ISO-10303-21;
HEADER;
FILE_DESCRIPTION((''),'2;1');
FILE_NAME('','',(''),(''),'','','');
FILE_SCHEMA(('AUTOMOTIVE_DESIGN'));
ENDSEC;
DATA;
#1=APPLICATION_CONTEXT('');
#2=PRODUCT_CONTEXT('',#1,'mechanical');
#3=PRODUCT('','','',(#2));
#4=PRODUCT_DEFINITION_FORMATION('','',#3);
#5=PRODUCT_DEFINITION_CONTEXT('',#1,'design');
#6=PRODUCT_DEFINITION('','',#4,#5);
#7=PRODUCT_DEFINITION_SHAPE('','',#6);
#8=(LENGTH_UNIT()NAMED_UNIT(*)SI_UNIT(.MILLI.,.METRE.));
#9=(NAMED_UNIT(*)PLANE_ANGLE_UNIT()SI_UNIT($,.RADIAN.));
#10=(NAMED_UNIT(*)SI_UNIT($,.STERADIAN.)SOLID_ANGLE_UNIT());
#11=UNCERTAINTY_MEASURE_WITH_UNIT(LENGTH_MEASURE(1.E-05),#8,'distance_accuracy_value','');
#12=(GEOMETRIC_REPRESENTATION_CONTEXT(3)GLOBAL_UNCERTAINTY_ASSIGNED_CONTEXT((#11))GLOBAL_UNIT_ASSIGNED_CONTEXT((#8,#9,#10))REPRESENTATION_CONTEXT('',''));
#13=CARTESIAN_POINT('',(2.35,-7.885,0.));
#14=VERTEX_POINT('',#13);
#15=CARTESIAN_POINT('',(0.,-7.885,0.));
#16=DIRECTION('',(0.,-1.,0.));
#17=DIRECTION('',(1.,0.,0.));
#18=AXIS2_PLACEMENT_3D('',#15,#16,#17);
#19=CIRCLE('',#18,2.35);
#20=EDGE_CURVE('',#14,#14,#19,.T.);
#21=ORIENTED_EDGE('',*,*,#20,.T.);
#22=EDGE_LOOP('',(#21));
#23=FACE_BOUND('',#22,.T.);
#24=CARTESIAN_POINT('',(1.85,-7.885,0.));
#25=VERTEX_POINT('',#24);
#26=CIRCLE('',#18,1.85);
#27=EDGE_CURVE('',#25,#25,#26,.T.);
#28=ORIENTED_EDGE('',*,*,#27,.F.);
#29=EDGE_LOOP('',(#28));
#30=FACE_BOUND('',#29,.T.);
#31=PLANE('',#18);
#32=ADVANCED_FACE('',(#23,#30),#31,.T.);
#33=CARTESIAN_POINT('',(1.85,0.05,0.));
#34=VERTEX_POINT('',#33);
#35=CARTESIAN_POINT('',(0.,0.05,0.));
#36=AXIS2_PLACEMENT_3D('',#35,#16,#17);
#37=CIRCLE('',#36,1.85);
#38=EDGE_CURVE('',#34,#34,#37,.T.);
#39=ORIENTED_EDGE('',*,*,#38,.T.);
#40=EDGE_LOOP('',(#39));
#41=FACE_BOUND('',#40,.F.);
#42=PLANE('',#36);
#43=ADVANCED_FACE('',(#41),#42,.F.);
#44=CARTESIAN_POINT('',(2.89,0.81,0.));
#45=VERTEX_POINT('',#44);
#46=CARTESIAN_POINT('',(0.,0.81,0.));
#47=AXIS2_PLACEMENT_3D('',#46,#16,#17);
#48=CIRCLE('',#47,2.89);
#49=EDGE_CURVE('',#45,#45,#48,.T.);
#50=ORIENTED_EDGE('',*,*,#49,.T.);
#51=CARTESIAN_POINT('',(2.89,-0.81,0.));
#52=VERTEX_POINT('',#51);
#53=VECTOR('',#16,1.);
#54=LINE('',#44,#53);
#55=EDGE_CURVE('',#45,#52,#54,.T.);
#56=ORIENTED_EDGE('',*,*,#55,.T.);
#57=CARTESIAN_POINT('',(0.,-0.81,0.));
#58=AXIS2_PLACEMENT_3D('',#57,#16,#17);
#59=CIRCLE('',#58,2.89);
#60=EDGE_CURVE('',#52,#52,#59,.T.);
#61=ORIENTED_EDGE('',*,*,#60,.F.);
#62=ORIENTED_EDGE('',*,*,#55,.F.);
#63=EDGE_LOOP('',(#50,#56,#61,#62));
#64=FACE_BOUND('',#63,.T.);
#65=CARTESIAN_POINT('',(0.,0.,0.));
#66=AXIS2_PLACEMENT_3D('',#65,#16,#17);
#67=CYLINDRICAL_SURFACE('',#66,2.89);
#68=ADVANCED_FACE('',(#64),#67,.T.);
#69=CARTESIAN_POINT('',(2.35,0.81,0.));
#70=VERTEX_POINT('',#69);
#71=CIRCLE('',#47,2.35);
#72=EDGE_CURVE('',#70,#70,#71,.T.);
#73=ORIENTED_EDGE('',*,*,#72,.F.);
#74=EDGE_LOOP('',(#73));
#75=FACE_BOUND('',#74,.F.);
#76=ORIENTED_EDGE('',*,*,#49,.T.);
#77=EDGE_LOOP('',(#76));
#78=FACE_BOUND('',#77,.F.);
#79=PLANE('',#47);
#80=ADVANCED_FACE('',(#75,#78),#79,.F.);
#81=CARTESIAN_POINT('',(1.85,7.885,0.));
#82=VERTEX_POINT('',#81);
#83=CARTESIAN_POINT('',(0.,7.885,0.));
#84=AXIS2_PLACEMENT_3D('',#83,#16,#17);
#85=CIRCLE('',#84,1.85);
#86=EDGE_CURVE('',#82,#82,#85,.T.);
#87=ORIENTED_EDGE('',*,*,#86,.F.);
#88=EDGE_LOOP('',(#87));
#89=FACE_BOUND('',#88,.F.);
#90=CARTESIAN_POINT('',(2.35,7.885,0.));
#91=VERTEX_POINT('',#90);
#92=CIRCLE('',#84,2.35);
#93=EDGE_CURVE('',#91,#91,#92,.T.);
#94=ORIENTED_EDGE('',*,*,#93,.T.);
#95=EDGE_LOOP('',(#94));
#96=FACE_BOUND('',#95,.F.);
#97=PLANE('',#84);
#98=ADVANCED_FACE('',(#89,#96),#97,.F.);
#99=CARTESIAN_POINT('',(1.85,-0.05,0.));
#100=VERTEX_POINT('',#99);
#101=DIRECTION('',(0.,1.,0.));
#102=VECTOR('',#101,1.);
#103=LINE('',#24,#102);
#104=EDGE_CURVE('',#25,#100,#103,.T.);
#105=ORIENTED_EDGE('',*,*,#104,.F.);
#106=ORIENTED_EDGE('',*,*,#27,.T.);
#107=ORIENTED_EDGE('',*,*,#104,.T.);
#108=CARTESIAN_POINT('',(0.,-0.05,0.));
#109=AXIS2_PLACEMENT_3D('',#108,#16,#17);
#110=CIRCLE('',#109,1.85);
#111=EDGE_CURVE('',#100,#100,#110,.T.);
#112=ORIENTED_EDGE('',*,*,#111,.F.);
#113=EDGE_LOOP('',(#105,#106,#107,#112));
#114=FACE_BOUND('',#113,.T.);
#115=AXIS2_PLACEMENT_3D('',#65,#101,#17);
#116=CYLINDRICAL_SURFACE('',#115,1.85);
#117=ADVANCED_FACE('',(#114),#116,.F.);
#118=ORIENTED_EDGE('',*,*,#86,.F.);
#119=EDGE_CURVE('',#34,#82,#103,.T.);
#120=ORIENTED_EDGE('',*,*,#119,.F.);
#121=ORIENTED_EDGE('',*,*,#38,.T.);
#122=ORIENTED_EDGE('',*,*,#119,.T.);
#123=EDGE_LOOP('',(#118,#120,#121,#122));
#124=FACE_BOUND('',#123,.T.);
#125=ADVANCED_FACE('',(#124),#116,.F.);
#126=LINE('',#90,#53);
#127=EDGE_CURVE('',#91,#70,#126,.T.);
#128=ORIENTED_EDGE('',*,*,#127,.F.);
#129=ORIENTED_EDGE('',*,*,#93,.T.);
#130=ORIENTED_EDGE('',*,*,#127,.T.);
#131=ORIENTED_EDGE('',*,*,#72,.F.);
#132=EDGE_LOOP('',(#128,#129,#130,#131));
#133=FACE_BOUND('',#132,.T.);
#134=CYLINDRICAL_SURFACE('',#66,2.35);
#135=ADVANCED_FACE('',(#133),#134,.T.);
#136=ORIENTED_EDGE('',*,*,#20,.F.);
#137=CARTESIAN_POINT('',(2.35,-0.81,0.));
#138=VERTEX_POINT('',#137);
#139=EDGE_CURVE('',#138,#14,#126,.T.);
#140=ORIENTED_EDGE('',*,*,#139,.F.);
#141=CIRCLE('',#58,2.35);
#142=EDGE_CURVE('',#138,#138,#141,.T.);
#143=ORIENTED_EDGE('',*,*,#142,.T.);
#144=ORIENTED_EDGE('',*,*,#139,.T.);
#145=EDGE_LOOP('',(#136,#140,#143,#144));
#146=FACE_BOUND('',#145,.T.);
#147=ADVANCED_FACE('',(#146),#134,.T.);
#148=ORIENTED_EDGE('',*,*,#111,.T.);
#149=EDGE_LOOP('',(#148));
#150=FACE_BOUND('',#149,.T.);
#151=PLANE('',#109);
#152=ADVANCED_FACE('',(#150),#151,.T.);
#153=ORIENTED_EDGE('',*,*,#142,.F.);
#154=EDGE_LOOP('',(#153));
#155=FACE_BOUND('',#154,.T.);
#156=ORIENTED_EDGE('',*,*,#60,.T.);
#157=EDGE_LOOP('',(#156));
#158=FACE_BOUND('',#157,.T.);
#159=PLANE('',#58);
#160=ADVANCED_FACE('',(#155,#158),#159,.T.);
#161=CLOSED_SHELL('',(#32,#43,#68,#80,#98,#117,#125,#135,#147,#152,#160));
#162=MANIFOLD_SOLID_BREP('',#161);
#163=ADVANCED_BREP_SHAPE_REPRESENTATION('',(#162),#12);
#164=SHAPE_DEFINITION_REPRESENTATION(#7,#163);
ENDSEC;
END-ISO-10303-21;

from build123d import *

# Parameters (mm, degrees)
F0_R     = 2.89
F0_R_2   = 2.35
F1_DEPTH = 0.81
F0_R_3   = 1.85
F2_DEPTH = 7.885
F3_DEPTH = 0.05


with BuildPart() as f1:
    # F0 (on Front) → F1 (new body, symmetric)
    with BuildSketch(Plane.XZ):
        Circle(F0_R)
        Circle(F0_R_2, mode=Mode.SUBTRACT)
    extrude(amount=F1_DEPTH, both=True)

    # F0 (on Front) → F2 (join, symmetric)
    with BuildSketch(Plane.XZ):
        Circle(F0_R_2)
        Circle(F0_R_3, mode=Mode.SUBTRACT)
    extrude(amount=F2_DEPTH, both=True)

    # F0 (on Front) → F3 (join, symmetric)
    with BuildSketch(Plane.XZ):
        Circle(F0_R_3)
    extrude(amount=F3_DEPTH, both=True)


solid = f1.part
